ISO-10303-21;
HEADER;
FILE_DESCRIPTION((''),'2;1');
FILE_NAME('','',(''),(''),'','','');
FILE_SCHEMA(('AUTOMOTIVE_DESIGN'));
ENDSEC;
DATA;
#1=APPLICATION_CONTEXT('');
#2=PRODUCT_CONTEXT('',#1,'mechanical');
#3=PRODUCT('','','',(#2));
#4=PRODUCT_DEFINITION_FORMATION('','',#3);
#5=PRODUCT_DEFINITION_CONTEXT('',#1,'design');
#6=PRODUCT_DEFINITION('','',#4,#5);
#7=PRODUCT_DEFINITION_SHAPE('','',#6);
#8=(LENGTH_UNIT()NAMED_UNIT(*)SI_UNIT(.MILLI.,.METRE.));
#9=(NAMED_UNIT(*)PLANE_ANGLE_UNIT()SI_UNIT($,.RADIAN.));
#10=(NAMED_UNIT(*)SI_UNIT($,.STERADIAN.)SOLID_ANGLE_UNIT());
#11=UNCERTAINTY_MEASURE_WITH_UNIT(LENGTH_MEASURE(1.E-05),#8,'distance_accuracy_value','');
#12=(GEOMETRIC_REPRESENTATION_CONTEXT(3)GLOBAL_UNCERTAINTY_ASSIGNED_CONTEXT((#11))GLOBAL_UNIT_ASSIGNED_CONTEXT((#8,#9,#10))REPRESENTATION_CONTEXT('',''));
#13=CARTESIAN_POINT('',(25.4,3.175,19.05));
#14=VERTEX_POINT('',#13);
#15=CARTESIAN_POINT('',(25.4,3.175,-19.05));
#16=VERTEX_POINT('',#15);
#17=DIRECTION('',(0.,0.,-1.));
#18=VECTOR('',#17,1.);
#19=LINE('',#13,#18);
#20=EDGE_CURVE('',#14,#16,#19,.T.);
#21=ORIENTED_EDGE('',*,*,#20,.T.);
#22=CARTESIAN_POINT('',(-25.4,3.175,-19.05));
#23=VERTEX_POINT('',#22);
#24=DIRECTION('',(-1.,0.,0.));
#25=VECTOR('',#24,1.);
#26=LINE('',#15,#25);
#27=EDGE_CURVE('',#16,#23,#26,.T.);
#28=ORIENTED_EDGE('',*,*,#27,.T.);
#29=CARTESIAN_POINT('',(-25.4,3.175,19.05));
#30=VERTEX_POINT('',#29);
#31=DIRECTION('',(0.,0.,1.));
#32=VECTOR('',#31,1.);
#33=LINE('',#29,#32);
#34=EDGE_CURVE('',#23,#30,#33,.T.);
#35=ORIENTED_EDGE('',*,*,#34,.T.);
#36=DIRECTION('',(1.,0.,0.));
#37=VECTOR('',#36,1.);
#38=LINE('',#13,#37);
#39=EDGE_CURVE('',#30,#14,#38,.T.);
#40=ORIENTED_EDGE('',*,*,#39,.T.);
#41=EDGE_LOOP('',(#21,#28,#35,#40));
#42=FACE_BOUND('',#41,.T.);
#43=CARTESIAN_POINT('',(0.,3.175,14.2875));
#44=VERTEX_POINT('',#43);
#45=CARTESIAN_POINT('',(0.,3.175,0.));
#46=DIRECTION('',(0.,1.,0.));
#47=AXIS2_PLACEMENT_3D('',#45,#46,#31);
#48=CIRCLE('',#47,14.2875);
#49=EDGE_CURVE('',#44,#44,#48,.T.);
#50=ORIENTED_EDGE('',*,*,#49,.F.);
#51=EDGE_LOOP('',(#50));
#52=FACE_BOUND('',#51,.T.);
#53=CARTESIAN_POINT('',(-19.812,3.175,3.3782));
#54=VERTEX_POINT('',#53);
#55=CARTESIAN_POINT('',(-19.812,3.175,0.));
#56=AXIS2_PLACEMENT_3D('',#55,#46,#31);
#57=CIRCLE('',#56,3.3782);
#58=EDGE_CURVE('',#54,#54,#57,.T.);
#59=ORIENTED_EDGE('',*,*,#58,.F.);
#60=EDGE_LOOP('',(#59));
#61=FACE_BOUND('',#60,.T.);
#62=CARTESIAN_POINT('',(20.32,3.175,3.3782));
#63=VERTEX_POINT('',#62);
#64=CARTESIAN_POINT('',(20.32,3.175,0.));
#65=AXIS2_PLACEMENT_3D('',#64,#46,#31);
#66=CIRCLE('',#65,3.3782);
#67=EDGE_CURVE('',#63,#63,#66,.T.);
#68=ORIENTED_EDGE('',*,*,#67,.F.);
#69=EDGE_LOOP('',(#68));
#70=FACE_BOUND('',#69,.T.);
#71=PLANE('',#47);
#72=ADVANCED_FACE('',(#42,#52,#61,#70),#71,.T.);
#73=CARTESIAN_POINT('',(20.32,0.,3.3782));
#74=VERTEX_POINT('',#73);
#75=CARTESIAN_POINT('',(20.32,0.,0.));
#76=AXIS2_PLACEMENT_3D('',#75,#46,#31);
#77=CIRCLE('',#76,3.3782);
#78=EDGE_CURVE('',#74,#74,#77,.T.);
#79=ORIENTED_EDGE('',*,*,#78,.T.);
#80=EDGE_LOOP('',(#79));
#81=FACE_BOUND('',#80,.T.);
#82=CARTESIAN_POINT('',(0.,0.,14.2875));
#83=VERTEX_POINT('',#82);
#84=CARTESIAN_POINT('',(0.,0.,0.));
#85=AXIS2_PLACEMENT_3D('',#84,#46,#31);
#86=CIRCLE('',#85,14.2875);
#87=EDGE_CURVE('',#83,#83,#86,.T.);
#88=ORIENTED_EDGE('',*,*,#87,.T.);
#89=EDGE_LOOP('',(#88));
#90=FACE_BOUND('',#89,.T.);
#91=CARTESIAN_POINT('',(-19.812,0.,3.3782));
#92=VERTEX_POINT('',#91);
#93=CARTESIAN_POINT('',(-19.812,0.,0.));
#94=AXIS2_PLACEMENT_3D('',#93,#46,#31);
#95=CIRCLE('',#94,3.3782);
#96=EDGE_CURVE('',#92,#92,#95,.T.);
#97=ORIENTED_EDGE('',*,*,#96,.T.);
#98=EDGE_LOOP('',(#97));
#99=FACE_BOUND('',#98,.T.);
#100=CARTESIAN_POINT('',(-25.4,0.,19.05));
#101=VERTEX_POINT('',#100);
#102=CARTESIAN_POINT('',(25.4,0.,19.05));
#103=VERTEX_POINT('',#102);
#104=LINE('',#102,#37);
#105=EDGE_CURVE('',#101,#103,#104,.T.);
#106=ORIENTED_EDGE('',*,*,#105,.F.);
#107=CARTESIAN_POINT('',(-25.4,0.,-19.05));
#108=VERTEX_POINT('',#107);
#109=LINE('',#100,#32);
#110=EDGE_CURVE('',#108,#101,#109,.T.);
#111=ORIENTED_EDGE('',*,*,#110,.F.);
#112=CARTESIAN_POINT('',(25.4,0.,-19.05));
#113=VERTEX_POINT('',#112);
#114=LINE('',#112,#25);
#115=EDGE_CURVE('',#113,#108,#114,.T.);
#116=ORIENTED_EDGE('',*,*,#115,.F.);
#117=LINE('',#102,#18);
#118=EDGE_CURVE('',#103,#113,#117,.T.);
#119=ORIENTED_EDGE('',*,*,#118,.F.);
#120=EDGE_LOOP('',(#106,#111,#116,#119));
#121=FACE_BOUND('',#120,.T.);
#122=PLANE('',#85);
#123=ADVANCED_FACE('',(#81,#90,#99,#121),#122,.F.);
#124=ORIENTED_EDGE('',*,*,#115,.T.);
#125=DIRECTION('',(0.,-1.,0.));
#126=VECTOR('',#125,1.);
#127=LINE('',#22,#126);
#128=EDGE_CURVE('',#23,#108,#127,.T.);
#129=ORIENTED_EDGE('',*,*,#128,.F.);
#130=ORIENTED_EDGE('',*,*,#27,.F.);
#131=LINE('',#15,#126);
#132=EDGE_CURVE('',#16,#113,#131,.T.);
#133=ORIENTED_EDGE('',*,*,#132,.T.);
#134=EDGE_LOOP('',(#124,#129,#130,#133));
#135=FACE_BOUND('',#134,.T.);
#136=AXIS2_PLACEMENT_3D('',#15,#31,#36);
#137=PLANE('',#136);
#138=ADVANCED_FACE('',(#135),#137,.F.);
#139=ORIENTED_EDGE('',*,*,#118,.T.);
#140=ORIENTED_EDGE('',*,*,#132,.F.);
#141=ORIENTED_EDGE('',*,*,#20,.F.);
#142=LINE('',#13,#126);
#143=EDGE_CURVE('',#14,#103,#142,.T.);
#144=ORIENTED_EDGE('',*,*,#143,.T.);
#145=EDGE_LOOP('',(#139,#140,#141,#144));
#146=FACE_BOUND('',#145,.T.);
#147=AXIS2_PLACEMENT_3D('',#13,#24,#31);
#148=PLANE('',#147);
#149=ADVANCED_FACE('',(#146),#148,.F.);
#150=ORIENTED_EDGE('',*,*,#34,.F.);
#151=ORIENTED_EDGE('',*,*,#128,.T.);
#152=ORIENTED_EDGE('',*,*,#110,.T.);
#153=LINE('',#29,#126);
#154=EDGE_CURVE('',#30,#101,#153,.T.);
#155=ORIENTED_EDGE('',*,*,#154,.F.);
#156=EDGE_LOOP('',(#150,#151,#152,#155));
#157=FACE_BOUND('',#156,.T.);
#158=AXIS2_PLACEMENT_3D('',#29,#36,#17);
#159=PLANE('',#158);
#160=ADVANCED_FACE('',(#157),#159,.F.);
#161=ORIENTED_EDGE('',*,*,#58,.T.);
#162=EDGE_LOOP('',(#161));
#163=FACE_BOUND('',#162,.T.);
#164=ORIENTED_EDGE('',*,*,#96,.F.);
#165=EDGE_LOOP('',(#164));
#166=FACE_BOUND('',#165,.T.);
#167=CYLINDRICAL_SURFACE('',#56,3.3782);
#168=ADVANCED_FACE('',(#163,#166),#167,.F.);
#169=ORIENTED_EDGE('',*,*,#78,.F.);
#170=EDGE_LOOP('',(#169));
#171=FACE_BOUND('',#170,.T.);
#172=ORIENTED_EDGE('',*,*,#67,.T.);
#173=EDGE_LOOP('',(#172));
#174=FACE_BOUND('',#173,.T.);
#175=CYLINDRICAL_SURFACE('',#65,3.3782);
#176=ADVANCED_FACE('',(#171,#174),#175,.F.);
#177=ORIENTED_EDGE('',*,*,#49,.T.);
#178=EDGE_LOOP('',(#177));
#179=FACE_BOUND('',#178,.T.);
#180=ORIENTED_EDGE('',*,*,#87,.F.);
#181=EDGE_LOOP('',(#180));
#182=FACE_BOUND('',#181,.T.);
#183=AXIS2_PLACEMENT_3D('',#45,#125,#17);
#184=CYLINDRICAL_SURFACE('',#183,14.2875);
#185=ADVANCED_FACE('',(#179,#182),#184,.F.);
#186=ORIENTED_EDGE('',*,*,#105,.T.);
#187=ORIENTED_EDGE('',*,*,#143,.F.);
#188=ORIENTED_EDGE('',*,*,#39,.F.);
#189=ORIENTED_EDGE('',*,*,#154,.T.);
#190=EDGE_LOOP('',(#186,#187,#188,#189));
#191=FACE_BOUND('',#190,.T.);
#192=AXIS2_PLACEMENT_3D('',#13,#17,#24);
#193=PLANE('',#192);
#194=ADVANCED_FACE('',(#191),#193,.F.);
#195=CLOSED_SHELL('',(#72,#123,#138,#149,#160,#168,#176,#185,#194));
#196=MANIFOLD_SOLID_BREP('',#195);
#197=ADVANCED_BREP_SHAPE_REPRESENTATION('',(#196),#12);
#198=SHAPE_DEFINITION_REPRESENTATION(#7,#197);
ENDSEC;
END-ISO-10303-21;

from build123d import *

# Parameters (mm, degrees)
SKETCH1_W               = 50.8
SKETCH1_H               = 38.1
SKETCH1_R               = 14.2875
BOSS_EXTRUDE1_DEPTH     = 3.175
F_1_4_CLEARANCE_HOLE1_D = 6.7564


with BuildPart() as part:
    # Sketch1 → Boss-Extrude1 (new body)
    with BuildSketch(Plane(origin=(0, 0, 0), x_dir=(1, 0, 0), z_dir=(0, 1, 0))):
        Rectangle(SKETCH1_W, SKETCH1_H)
        with Locations(Location((0, 0, 0), (0, 0, 270))):
            Circle(SKETCH1_R, mode=Mode.SUBTRACT)
    extrude(amount=BOSS_EXTRUDE1_DEPTH)

    # 1/4 Clearance Hole1 (through all)
    with Locations(Plane(origin=(0, 3.175, 0), x_dir=(1, 0, 0), z_dir=(0, 1, 0))):
        with Locations((20.32, 0), (-19.812, 0)):
            Hole(F_1_4_CLEARANCE_HOLE1_D / 2)


solid = part.part
